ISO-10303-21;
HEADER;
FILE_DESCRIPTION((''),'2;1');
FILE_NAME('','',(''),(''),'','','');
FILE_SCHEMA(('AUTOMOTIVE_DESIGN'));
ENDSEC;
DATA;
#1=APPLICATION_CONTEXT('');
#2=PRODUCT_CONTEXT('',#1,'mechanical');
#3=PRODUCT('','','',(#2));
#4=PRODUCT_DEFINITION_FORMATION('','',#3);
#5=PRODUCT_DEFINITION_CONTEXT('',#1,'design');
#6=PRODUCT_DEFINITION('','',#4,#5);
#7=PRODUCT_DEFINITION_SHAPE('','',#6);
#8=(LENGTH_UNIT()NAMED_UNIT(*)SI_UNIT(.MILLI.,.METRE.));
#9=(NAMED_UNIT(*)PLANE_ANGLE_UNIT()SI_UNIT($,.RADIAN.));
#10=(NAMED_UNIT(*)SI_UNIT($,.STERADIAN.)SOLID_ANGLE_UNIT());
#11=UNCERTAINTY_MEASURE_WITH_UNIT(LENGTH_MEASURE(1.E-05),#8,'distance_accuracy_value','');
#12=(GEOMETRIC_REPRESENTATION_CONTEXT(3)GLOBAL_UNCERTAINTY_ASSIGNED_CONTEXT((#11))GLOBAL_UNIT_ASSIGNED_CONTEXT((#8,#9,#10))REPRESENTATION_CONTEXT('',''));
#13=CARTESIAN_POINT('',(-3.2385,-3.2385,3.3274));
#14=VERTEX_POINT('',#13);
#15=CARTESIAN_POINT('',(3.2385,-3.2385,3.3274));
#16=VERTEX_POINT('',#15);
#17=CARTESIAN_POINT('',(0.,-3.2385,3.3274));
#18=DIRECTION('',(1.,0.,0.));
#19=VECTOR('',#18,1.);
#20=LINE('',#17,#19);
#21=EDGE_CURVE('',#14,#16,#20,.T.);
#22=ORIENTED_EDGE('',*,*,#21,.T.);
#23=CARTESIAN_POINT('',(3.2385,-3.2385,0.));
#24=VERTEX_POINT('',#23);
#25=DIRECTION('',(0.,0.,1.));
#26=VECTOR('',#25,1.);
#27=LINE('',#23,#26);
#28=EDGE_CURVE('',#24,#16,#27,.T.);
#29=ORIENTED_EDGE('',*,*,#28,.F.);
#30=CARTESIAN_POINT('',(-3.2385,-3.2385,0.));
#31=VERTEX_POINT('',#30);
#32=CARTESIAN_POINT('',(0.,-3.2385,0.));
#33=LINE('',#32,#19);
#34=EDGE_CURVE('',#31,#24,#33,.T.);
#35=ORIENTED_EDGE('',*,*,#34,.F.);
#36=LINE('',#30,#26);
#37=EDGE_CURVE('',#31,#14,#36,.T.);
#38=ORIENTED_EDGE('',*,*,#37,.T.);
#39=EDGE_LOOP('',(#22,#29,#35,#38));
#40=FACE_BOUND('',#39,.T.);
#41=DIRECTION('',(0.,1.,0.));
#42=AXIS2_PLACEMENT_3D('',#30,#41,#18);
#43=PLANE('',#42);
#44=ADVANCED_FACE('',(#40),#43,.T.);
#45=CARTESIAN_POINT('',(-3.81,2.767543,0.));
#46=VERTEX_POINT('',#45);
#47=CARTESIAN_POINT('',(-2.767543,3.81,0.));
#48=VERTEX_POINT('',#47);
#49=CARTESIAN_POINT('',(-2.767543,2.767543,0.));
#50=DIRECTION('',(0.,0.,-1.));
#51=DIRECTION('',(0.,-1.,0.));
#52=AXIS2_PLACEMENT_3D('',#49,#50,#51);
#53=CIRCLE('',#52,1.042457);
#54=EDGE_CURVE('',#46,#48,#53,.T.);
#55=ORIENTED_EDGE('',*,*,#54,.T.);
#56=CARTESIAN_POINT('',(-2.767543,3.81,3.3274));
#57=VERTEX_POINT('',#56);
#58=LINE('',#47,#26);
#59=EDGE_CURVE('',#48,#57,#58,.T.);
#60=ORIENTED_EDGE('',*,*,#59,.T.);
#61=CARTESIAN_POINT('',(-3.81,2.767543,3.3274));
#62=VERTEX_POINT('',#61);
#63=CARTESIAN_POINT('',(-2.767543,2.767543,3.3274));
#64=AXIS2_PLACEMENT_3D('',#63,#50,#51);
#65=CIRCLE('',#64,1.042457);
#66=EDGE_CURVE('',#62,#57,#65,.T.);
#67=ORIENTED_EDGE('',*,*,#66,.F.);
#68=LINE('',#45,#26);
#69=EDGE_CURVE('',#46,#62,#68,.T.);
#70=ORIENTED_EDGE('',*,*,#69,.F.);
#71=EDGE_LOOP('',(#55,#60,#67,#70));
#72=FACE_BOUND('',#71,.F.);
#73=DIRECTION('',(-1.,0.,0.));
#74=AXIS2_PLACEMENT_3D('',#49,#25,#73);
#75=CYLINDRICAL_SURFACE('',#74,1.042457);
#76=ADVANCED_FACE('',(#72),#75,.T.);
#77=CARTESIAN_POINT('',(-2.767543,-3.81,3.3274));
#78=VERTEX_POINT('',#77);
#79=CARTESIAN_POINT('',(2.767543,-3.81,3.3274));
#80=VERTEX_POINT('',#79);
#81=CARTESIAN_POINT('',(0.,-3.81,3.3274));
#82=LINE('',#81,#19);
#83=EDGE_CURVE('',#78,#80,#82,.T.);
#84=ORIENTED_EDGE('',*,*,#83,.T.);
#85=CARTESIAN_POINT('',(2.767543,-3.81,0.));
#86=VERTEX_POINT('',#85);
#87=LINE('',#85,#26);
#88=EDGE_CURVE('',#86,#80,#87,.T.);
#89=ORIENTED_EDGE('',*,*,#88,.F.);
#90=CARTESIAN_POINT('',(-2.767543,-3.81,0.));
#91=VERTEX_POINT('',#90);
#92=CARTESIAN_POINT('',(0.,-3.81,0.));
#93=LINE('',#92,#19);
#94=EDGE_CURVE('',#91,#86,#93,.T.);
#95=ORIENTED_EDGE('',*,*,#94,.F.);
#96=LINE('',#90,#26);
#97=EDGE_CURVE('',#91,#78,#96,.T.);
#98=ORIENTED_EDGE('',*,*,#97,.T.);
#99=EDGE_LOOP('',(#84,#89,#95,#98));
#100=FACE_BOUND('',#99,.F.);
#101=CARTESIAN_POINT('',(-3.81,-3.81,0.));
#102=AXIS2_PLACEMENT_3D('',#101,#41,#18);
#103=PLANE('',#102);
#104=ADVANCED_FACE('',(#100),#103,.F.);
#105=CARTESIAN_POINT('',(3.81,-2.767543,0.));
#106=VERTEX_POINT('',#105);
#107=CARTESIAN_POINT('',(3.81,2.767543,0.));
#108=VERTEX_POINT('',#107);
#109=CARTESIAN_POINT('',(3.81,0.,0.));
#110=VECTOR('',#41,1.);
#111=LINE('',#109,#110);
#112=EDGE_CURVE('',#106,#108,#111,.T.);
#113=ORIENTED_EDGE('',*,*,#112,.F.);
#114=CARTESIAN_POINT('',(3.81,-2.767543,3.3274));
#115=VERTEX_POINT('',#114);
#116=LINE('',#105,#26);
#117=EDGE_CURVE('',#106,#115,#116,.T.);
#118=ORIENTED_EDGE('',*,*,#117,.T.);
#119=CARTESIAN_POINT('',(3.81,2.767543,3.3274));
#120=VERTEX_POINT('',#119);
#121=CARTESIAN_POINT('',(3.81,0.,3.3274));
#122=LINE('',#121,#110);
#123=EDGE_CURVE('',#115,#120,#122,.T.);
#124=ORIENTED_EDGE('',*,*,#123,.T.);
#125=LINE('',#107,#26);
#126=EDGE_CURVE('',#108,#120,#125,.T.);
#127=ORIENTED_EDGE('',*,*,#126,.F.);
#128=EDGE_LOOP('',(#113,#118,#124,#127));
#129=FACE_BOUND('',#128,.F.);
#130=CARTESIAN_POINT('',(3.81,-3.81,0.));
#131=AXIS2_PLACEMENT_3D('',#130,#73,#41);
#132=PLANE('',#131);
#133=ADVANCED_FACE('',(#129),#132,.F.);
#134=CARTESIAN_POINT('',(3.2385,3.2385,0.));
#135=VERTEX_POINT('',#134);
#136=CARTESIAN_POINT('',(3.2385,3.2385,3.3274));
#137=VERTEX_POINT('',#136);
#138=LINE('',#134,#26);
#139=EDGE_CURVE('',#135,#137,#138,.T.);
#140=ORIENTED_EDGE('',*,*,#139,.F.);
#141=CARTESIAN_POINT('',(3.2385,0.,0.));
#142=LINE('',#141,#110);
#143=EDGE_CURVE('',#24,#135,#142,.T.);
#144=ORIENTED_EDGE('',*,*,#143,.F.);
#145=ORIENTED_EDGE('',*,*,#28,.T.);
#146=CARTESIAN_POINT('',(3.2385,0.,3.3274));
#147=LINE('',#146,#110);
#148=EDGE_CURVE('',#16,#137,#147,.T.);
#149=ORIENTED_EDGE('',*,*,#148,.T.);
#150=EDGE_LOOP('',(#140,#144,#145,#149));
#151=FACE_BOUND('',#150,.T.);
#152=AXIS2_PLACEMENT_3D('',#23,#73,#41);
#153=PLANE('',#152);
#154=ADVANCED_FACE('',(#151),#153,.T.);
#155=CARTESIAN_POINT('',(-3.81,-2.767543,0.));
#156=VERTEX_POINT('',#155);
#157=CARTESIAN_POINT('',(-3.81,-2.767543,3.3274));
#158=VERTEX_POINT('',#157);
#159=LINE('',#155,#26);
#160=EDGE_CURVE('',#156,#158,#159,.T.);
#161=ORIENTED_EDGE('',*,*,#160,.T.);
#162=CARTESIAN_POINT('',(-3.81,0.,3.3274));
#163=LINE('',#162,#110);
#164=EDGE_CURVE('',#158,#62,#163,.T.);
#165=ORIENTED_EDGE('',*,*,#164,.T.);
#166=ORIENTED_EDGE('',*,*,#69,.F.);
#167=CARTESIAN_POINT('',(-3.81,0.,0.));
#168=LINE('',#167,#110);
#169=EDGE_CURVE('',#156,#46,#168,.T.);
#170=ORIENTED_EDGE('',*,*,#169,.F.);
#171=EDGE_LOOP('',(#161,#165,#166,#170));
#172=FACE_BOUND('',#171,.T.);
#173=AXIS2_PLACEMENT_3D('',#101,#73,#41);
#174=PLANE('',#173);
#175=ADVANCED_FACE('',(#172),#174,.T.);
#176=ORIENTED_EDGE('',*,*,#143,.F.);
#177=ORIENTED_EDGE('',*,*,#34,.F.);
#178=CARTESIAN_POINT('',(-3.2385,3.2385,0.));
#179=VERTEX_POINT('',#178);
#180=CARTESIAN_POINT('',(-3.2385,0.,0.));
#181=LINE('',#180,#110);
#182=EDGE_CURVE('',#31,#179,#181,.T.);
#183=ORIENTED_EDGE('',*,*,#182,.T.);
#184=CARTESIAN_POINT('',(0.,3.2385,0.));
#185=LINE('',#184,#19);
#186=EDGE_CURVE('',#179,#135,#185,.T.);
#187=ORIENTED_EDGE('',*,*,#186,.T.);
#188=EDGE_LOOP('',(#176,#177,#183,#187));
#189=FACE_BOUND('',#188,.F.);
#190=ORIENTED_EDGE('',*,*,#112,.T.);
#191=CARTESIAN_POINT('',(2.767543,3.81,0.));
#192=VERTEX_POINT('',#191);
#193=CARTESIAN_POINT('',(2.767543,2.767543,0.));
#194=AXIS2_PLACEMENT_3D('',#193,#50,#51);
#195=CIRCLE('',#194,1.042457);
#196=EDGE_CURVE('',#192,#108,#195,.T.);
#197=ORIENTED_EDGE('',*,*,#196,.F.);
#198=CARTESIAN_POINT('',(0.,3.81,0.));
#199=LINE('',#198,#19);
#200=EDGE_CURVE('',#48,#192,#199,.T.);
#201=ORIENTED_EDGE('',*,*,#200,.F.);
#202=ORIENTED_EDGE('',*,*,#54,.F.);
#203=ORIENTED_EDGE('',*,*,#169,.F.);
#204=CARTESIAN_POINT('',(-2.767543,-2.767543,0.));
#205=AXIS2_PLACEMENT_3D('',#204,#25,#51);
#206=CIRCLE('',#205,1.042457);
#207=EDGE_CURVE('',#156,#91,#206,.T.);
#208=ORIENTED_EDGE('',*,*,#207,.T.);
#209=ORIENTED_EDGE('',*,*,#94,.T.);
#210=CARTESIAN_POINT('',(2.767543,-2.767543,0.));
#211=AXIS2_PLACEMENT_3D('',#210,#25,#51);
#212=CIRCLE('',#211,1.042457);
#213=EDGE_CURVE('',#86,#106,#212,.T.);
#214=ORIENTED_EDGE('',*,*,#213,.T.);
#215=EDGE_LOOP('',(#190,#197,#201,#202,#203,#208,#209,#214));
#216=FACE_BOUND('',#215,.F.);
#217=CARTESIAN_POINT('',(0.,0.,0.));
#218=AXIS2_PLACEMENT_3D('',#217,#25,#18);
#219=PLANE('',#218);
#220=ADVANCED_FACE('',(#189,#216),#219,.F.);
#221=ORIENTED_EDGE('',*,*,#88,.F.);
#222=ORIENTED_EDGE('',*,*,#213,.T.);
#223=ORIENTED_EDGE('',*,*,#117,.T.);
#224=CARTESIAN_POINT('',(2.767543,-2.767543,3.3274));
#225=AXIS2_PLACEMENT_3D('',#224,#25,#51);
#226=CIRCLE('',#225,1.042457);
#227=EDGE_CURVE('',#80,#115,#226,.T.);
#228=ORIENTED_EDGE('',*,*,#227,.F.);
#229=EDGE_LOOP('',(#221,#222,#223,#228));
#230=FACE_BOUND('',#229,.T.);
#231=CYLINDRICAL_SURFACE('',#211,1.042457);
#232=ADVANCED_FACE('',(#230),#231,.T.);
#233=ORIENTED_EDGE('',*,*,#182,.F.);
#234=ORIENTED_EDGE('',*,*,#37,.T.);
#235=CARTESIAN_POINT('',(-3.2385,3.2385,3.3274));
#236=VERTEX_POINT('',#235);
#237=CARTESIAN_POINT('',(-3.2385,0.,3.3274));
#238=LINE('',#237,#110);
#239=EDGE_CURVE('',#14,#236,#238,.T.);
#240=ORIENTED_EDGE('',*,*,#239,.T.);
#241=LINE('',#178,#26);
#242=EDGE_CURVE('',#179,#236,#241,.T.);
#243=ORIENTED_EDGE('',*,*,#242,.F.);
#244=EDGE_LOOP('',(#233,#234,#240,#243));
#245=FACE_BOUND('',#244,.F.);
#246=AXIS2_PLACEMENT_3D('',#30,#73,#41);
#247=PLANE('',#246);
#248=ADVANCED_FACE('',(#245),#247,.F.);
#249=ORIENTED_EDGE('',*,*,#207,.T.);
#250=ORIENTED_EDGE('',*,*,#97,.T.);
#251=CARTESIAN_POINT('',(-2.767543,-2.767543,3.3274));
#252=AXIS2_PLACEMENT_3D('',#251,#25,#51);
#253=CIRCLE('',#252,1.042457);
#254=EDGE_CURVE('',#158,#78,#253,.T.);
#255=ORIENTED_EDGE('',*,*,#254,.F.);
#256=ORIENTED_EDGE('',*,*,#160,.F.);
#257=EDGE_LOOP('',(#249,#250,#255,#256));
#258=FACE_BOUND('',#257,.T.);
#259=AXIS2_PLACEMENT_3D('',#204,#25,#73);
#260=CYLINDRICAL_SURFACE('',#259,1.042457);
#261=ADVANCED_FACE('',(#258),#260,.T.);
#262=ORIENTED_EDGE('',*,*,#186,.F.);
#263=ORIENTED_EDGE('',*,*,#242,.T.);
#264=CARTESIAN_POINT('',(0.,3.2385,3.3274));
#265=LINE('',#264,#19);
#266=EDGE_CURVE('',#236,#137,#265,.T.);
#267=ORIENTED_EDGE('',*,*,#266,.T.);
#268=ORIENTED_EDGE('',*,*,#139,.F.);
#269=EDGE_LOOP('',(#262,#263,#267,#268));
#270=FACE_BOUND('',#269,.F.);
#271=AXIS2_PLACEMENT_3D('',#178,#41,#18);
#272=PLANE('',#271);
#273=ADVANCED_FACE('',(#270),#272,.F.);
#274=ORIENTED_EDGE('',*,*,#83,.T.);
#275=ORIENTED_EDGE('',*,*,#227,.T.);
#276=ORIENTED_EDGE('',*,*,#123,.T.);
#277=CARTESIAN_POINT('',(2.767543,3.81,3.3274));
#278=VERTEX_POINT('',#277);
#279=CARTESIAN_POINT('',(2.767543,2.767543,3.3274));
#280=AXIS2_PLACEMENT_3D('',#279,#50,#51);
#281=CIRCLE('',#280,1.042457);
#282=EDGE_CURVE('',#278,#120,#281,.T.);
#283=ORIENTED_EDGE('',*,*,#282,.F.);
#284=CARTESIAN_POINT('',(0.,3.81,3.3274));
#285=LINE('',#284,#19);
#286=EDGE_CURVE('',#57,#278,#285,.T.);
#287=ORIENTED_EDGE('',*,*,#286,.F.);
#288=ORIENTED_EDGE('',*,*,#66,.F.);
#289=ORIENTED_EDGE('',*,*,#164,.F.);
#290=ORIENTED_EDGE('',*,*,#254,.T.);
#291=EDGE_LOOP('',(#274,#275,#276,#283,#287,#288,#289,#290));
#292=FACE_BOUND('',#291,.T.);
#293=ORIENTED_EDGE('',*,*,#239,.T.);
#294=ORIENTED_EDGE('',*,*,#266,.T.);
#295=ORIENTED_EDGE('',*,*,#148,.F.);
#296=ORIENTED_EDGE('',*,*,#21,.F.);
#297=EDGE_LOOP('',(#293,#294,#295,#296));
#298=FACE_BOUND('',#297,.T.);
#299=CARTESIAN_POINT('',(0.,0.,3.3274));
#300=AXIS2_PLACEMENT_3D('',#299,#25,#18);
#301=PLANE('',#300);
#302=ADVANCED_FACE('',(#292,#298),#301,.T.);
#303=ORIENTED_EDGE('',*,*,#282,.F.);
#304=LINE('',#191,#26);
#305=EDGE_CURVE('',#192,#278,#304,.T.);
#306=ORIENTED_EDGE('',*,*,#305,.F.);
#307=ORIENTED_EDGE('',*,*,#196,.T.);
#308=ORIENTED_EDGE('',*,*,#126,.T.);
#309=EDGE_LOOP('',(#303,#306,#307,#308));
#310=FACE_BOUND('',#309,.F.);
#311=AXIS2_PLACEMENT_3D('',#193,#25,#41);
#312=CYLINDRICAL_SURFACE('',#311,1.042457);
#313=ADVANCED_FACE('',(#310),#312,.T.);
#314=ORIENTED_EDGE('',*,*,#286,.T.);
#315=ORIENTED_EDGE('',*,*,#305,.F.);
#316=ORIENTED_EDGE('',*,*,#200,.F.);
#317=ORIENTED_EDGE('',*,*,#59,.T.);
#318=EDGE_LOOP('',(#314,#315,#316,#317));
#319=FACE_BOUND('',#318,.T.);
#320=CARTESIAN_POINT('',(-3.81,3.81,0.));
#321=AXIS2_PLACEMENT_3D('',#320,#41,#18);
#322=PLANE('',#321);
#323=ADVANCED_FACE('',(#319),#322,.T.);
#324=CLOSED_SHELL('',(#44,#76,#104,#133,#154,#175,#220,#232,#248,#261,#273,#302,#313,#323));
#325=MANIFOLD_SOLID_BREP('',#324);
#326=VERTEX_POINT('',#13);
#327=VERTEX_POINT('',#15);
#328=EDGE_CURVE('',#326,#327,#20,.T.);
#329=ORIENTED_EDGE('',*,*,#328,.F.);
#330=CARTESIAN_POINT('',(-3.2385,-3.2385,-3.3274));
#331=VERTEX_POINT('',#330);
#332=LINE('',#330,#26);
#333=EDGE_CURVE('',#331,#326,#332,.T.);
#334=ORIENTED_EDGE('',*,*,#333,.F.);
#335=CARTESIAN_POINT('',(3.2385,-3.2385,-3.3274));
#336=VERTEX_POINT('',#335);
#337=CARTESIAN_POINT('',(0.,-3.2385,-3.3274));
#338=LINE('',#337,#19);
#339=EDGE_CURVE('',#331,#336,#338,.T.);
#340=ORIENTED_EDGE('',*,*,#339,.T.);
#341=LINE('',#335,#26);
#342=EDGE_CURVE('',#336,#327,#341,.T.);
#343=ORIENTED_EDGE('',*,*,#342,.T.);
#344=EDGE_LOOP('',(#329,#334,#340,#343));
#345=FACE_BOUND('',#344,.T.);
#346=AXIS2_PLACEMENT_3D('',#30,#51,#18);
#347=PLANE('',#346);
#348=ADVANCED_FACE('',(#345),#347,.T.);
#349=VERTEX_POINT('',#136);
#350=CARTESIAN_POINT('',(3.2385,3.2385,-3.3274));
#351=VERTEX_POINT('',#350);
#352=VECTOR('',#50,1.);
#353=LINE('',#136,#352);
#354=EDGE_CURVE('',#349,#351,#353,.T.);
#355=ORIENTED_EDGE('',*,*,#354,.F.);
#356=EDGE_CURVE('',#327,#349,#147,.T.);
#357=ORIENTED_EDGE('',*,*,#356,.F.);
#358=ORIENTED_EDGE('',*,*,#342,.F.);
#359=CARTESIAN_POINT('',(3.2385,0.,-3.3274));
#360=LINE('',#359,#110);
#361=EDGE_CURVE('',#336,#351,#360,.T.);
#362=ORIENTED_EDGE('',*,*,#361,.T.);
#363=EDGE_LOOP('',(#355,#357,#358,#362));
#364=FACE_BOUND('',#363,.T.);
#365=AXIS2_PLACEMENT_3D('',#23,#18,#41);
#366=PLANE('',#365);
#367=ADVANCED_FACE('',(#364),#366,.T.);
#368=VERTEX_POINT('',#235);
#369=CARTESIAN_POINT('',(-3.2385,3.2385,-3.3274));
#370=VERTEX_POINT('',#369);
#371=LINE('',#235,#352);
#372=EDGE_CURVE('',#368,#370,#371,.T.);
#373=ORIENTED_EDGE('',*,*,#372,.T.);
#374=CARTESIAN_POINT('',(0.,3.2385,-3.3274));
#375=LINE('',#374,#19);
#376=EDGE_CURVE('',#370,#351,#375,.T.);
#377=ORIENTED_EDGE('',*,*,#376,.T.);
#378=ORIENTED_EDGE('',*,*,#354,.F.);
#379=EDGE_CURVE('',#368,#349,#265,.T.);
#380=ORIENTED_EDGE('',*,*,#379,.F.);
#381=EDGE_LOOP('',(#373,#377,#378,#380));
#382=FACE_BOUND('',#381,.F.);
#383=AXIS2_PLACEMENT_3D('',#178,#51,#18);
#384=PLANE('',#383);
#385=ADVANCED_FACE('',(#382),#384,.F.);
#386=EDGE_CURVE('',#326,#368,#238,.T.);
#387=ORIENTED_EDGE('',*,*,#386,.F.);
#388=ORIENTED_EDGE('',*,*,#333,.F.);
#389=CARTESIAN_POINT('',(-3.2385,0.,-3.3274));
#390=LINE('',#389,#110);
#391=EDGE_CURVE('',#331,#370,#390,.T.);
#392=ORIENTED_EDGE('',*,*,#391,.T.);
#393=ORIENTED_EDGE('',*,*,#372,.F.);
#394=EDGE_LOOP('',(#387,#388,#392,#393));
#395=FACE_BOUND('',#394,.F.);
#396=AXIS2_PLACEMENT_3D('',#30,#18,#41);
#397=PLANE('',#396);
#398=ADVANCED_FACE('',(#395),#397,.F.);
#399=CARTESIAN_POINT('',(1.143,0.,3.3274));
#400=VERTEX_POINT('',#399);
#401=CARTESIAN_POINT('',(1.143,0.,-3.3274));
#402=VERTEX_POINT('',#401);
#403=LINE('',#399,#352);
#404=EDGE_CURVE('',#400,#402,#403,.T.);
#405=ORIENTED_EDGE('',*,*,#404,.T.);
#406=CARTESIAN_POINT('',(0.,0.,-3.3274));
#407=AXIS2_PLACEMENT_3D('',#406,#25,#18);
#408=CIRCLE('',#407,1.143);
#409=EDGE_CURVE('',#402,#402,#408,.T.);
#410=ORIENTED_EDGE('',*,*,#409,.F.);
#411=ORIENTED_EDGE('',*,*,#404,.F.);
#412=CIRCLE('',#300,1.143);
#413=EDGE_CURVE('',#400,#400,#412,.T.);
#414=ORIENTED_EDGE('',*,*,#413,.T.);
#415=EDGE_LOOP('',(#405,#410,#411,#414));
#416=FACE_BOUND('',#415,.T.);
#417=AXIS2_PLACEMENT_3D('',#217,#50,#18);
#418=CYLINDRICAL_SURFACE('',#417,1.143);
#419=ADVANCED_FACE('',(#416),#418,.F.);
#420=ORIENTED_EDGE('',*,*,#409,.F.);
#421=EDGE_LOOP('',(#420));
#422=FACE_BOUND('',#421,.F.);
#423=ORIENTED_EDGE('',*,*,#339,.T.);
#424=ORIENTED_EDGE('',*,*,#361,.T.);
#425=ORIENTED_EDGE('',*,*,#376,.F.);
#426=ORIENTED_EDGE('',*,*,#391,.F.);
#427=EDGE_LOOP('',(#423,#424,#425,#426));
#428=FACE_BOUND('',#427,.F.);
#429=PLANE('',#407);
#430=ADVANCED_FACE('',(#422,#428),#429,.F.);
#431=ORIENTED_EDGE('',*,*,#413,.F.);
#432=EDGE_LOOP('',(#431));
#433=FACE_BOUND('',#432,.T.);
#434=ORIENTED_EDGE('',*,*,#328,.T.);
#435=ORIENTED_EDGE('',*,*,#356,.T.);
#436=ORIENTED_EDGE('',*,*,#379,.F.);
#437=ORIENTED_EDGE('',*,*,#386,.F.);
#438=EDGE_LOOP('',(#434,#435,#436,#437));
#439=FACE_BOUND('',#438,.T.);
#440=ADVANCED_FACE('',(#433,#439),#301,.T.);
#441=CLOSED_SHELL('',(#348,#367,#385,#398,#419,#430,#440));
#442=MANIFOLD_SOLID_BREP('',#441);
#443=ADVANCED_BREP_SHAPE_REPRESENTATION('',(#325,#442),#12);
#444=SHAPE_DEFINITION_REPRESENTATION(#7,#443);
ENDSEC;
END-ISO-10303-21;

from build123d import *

# Parameters (mm, degrees)
F0_W     = 6.477
F0_H     = 6.477
F0_R     = 1.143
F1_DEPTH = 3.3274
F0_W_2   = 7.62
F0_H_2   = 7.62
F2_DEPTH = 3.3274
F3_R     = 1.042457


with BuildPart() as f1:
    # F0 (on Top) → F1 (new body, symmetric)
    with BuildSketch(Plane.XY):
        Rectangle(F0_W, F0_H)
        Circle(F0_R, mode=Mode.SUBTRACT)
    extrude(amount=F1_DEPTH, both=True)


with BuildPart() as f2:
    # F0 (on Top) → F2 (new body)
    with BuildSketch(Plane.XY):
        Rectangle(F0_W_2, F0_H_2)
        Rectangle(F0_W, F0_H, mode=Mode.SUBTRACT)
    extrude(amount=F2_DEPTH)

    # F3
    f3_edges = [f2.edges().sort_by_distance(p)[0] for p in [
        (-3.81, 3.81, 1.6637),
        (-3.81, -3.81, 1.6637),
        (3.81, -3.81, 1.6637),
        (3.81, 3.81, 1.6637),
    ]]
    fillet(f3_edges, radius=F3_R)


solid = Compound([f1.part, f2.part])
